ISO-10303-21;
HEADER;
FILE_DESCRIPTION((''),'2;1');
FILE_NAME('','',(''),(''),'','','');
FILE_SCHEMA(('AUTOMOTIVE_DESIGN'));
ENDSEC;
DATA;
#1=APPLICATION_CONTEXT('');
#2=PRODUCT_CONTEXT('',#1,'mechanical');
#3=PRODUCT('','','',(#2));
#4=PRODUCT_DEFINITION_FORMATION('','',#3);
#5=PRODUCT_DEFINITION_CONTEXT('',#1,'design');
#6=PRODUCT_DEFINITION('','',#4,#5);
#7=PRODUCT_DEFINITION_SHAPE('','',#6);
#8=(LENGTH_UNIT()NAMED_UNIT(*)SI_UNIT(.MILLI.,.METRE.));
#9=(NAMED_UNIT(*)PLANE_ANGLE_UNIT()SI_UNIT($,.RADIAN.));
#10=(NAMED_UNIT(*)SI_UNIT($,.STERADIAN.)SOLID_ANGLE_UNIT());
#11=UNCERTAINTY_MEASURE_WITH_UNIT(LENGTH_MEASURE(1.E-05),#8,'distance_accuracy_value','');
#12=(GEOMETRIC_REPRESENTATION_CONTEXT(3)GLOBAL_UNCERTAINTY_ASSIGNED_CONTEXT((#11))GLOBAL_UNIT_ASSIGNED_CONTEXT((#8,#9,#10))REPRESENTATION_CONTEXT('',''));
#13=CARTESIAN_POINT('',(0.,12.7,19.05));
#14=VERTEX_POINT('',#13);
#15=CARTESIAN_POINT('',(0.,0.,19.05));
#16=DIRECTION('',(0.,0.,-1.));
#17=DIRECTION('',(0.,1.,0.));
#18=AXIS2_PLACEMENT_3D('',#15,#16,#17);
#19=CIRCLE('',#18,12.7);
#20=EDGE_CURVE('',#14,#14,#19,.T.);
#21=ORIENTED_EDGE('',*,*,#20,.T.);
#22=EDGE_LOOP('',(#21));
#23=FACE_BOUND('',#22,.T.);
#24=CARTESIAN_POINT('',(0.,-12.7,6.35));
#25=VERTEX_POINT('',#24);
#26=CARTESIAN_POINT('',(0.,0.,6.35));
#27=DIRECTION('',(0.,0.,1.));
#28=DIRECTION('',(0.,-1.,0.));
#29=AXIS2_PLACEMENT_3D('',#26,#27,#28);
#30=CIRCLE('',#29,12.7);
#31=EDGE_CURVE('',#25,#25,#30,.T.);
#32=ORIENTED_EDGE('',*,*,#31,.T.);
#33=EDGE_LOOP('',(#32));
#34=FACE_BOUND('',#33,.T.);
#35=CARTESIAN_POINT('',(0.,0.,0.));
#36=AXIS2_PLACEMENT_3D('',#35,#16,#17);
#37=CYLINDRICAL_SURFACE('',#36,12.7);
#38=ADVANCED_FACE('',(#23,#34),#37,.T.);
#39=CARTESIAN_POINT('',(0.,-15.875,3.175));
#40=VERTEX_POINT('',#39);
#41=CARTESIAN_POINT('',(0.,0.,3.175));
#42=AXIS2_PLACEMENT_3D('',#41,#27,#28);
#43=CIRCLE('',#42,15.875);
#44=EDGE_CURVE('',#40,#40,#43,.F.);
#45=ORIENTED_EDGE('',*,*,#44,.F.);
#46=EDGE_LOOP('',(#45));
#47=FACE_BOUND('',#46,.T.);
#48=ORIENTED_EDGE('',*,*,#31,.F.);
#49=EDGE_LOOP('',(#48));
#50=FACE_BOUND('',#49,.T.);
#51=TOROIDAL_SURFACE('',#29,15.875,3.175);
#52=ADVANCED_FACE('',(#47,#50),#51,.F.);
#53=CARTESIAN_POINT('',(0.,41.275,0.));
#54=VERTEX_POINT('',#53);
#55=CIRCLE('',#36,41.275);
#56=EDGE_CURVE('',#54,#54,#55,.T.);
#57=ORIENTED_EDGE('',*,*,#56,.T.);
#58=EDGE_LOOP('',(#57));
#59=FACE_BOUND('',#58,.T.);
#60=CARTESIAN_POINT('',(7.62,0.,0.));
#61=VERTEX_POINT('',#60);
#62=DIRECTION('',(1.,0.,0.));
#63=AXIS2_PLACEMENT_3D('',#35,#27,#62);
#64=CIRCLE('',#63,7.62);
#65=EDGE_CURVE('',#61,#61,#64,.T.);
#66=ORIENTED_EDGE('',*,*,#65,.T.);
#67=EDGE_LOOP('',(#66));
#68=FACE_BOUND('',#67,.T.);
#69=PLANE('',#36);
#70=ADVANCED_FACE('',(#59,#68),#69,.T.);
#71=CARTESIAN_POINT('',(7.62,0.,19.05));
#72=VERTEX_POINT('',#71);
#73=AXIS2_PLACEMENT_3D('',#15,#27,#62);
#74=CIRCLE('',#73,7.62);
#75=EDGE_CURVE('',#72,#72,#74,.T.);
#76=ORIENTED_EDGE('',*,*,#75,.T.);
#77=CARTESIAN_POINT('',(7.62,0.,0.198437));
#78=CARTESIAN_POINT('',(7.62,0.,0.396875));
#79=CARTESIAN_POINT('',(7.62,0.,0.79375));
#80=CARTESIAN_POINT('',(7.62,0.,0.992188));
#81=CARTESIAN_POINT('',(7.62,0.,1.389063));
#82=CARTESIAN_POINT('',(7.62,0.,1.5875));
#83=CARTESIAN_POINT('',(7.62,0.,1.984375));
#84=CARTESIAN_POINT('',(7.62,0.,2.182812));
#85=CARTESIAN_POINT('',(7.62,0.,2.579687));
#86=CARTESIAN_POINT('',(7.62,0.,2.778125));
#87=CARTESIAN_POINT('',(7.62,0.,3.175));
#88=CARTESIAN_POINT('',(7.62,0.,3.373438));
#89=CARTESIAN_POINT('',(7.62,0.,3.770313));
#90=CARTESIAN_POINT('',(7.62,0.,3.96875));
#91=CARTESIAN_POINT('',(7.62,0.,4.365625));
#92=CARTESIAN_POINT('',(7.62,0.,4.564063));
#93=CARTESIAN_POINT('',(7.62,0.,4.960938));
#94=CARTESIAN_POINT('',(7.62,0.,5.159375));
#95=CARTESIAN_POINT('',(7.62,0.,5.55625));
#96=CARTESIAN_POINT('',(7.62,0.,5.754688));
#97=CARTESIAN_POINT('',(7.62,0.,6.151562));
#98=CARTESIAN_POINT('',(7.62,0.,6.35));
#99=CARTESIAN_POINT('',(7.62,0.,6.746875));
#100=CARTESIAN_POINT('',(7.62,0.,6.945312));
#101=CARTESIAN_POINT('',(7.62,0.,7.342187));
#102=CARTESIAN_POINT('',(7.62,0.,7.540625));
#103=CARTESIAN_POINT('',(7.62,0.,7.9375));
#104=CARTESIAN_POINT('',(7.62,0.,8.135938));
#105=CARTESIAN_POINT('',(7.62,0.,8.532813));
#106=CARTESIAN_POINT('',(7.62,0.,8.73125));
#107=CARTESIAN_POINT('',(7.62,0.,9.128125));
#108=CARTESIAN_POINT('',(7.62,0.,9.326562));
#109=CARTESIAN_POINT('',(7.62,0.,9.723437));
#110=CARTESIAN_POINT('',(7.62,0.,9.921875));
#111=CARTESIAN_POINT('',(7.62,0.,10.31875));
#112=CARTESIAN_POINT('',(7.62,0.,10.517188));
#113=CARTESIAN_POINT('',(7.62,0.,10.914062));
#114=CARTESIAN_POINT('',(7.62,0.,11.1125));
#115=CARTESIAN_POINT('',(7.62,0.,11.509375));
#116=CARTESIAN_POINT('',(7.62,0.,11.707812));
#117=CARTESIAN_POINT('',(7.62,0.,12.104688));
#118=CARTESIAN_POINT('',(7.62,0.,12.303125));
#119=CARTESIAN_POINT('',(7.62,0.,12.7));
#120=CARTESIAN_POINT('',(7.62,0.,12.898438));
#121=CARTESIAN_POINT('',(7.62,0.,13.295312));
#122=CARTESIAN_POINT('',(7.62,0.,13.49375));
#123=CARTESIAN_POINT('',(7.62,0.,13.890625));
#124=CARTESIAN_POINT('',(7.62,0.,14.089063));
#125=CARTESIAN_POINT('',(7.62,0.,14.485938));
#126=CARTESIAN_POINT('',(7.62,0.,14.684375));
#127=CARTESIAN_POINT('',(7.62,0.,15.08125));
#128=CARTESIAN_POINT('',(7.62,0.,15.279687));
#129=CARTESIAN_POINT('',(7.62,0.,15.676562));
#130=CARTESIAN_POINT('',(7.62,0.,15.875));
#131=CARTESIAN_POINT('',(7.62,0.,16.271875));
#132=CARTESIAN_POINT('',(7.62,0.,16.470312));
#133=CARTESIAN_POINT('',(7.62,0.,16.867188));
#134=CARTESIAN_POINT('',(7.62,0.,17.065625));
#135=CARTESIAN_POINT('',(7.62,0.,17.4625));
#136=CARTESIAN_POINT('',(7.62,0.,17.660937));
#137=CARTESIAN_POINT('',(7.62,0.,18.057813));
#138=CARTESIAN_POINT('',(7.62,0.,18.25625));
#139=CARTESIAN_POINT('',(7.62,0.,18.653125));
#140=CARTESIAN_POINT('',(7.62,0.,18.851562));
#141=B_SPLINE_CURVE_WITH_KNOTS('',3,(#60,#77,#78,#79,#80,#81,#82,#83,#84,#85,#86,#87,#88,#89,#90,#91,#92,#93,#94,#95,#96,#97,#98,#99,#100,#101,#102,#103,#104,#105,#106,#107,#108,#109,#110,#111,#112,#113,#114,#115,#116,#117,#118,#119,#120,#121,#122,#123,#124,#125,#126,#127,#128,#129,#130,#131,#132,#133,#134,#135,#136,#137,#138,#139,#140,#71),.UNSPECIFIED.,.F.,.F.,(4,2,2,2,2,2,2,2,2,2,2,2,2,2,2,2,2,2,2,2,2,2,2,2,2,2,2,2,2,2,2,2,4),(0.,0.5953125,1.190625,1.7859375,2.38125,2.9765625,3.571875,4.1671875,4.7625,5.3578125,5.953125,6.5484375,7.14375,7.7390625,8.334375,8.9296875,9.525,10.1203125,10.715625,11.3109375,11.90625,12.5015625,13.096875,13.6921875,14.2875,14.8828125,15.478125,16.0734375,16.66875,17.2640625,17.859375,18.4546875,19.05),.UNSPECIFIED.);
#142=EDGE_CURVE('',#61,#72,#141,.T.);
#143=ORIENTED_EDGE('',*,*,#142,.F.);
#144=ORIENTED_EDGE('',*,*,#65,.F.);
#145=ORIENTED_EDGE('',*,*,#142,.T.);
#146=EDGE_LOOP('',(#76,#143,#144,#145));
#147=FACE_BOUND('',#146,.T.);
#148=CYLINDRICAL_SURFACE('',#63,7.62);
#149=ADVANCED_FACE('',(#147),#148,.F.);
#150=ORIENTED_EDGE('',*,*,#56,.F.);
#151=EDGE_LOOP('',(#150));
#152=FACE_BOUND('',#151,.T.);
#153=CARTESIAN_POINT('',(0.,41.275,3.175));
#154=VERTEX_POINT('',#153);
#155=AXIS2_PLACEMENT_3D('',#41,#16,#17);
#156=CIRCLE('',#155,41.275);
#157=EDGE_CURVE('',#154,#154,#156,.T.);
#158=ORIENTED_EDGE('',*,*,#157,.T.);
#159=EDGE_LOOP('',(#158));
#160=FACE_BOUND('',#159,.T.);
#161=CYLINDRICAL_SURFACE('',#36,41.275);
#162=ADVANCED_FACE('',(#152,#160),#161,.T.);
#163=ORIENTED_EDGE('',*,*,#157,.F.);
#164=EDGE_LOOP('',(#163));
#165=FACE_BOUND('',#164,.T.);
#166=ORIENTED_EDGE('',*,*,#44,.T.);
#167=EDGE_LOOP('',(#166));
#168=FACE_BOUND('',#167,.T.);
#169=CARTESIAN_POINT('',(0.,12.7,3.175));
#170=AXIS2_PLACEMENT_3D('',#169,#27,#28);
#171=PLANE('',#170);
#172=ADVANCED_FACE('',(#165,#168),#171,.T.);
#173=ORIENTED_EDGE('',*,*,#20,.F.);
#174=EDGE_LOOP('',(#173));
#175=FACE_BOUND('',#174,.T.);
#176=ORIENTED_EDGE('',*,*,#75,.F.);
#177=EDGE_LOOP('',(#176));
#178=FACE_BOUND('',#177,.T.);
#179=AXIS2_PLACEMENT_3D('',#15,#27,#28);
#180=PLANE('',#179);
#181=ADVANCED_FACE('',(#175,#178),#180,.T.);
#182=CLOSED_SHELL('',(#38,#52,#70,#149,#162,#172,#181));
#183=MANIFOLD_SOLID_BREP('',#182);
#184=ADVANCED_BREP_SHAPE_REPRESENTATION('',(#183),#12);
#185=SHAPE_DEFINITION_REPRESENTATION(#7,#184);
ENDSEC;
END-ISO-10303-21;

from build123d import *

# Parameters (mm, degrees)
CUT_SKETCH_R     = 7.62
CENTER_CUT_DEPTH = 62.401577748
FILLET_2_R       = 3.175


with BuildPart() as part:
    # Revolve Sketch → Revolve 2 (revolve)
    with BuildSketch(Plane(origin=(0, 0, 0), x_dir=(0, 0, -1), z_dir=(1, 0, 0))):
        Polygon((0, 0), (0, 41.275), (-3.175, 41.275), (-3.175, 12.7), (-19.05, 12.7), (-19.05, 0), align=None)
    revolve(axis=Axis((0, 0, 0), (0, 0, 1)))

    # Cut Sketch → Center Cut (cut, through all)
    with BuildSketch(Plane.XY.offset(19.05)):
        Circle(CUT_SKETCH_R)
    extrude(amount=-CENTER_CUT_DEPTH, mode=Mode.SUBTRACT)

    # Fillet 2
    fillet_2_edges = [part.edges().sort_by_distance(p)[0] for p in [
        (0, -12.7, 3.175),
    ]]
    fillet(fillet_2_edges, radius=FILLET_2_R)


solid = part.part
